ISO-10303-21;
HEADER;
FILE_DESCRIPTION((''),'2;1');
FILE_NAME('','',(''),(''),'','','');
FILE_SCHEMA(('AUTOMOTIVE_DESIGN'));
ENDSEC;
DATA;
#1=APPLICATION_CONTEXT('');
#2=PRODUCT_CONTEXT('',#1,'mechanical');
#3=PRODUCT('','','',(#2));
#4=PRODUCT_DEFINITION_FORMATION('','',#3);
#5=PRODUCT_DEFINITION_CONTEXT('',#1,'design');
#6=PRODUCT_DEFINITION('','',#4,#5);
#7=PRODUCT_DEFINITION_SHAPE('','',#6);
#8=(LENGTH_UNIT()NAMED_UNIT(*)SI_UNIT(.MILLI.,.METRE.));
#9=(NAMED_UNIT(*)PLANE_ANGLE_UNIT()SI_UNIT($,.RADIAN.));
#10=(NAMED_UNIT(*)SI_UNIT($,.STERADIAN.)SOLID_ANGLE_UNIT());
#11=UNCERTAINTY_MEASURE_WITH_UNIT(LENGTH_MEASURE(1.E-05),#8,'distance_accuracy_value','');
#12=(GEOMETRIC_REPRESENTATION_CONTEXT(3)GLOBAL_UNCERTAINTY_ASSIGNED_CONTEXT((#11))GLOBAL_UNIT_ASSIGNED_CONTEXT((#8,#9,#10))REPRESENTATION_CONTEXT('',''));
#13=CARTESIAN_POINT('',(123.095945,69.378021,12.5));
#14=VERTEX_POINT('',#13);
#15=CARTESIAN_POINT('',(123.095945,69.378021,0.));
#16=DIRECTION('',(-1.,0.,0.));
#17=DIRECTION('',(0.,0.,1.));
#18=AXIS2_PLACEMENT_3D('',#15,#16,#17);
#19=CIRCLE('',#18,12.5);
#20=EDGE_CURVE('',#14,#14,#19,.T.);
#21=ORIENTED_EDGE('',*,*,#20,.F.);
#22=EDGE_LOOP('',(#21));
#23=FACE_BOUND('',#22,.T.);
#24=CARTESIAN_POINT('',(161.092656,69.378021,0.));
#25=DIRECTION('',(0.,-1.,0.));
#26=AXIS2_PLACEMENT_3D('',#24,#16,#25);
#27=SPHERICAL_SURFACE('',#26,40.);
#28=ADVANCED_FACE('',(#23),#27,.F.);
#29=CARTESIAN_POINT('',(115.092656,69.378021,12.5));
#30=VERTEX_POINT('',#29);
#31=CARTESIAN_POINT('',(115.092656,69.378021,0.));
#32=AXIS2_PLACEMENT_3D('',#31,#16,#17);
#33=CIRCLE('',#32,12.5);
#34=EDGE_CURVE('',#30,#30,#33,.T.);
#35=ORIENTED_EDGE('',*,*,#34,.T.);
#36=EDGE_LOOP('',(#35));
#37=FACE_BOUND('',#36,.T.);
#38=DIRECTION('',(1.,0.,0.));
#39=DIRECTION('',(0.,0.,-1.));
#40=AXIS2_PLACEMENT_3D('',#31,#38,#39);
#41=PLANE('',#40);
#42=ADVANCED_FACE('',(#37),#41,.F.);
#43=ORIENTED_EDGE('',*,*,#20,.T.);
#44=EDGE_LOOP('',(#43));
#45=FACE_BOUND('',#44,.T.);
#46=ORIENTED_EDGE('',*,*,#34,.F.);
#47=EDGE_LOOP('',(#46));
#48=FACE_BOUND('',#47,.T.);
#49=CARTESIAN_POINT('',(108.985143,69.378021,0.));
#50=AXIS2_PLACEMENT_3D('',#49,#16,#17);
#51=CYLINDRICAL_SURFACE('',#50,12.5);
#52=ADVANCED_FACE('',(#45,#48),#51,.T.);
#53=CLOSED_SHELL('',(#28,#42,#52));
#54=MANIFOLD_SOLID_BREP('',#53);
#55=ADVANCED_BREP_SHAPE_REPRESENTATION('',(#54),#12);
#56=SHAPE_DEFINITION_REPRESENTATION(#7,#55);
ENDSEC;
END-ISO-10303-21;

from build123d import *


with BuildPart() as part:
    # 草图1 → 旋转1 (revolve)
    with BuildSketch(Plane.XY, mode=Mode.PRIVATE) as revolve_1_sk:
        with BuildLine():
            Line((115.092655535, 69.378021123), (115.092655535, 81.878021123))
            Line((115.092655535, 81.878021123), (123.095945151, 81.878021123))
            ThreePointArc((123.095945151, 81.878021123), (121.596653108, 75.707775646), (121.092655535, 69.378021123))
            Line((121.092655535, 69.378021123), (115.092655535, 69.378021123))
        make_face()
    revolve(revolve_1_sk.sketch.rotate(Axis((108.985143002, 69.378021123, 0), (1, 0, 0)), 180), axis=Axis((108.985143002, 69.378021123, 0), (1, 0, 0)))  # turned: the seam where the file's is


solid = part.part
